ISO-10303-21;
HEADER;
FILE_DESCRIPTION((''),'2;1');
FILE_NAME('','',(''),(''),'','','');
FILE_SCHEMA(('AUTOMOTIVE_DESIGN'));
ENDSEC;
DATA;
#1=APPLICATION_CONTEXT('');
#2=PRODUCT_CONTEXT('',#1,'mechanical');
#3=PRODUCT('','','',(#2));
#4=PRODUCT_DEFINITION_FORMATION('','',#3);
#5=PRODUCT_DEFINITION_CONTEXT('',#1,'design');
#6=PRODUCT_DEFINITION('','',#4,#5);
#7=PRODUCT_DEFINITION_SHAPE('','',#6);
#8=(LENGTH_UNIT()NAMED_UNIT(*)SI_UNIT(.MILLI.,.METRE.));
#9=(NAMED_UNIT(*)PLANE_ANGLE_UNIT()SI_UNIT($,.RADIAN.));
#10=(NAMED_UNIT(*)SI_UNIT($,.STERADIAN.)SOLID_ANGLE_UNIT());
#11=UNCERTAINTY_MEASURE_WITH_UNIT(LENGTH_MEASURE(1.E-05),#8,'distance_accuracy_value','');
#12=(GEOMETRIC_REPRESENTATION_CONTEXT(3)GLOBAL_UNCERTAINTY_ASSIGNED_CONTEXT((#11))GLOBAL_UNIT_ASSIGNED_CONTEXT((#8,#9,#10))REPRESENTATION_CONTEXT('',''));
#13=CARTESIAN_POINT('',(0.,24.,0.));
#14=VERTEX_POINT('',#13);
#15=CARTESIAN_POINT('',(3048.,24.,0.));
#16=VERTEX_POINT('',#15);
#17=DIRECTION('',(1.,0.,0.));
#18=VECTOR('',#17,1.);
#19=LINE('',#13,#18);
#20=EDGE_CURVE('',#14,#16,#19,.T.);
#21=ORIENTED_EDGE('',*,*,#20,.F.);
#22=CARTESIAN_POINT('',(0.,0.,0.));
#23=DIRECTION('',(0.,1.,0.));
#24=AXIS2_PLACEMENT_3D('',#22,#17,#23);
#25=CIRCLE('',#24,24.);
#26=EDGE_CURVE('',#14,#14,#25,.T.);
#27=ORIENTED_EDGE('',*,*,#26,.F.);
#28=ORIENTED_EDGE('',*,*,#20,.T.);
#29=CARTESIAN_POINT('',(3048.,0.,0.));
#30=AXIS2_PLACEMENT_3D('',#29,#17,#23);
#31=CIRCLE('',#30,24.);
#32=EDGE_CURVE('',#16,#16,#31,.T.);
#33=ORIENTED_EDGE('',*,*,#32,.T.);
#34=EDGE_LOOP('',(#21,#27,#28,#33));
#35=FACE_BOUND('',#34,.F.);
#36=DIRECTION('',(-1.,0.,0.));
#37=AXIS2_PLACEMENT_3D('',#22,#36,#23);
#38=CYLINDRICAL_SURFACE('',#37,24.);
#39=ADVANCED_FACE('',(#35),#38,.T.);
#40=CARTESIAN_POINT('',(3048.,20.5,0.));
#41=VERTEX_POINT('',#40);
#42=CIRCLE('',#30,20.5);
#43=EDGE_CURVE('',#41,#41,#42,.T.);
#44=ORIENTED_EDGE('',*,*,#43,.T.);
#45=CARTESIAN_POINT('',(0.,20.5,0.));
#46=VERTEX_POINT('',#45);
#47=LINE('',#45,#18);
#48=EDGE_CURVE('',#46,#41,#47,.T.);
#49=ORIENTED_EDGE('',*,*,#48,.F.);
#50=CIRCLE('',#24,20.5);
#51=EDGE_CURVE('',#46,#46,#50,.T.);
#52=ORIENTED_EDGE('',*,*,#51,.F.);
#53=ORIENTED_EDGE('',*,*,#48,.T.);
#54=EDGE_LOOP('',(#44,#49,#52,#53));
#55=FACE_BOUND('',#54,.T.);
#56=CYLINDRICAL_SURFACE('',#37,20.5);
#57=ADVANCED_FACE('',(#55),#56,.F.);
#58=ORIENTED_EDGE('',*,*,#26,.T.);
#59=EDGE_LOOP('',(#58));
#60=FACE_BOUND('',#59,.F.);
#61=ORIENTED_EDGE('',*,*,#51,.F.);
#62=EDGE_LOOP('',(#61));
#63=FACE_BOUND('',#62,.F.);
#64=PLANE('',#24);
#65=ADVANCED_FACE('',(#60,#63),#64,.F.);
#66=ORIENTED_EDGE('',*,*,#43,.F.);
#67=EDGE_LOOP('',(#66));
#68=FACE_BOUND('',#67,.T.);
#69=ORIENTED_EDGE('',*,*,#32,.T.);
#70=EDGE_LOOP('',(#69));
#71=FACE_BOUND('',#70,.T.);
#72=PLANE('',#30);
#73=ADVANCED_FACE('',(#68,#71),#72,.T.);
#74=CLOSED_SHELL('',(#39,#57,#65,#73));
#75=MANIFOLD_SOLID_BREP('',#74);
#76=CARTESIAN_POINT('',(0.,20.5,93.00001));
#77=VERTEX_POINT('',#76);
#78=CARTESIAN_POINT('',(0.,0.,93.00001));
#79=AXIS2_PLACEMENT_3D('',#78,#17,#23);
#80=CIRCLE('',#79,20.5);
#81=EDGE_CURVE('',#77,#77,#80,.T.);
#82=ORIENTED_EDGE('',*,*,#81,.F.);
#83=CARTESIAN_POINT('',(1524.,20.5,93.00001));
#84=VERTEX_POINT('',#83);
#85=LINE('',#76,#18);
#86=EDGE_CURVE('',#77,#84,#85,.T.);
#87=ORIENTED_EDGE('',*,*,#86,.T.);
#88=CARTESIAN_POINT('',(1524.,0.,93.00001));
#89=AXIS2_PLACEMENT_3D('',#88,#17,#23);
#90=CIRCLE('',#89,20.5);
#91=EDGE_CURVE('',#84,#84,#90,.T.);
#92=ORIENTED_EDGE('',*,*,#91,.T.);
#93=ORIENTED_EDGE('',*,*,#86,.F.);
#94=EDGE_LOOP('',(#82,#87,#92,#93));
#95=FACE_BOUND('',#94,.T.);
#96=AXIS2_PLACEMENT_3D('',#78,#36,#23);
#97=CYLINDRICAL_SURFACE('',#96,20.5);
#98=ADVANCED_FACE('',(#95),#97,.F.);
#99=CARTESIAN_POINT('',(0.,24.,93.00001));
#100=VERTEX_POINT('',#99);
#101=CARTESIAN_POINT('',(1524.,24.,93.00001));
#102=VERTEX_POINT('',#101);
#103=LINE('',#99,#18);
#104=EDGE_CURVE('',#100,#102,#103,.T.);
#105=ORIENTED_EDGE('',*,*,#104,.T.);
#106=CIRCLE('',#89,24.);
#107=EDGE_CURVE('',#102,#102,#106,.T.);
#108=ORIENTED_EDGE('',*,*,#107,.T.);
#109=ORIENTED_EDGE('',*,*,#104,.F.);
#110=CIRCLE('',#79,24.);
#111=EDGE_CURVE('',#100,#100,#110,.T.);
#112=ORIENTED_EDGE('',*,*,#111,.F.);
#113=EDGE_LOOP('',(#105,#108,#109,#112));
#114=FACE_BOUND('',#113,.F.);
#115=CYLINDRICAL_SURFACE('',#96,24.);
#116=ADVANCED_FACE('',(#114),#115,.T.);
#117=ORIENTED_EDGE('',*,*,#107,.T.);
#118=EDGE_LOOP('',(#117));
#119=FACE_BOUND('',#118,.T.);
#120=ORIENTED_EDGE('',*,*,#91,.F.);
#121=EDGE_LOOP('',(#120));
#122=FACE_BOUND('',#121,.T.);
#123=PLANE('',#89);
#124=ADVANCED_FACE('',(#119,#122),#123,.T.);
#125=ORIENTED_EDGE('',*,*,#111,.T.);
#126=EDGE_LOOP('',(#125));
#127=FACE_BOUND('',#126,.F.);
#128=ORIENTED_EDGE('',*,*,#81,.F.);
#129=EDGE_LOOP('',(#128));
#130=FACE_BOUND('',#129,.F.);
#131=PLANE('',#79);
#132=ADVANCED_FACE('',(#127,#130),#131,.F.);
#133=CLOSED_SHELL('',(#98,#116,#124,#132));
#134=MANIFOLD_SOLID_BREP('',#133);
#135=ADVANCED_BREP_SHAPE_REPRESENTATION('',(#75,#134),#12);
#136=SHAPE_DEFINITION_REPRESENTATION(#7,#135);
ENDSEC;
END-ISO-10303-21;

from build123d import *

# Parameters (mm, degrees)
F0_R     = 24
F0_R_2   = 20.5
F1_DEPTH = 3048
F2_R     = 24
F2_R_2   = 20.5
F3_DEPTH = 1524


with BuildPart() as f1:
    # F0 (on Right) → F1 (new body)
    with BuildSketch(Plane.YZ):
        Circle(F0_R)
        Circle(F0_R_2, mode=Mode.SUBTRACT)
    extrude(amount=F1_DEPTH)


with BuildPart() as f3:
    # F2 (on Right) → F3 (new body)
    with BuildSketch(Plane.YZ):
        with Locations((0, 93.00001)):
            Circle(F2_R)
        with Locations((0, 93.00001)):
            Circle(F2_R_2, mode=Mode.SUBTRACT)
    extrude(amount=F3_DEPTH)


solid = Compound([f1.part, f3.part])
